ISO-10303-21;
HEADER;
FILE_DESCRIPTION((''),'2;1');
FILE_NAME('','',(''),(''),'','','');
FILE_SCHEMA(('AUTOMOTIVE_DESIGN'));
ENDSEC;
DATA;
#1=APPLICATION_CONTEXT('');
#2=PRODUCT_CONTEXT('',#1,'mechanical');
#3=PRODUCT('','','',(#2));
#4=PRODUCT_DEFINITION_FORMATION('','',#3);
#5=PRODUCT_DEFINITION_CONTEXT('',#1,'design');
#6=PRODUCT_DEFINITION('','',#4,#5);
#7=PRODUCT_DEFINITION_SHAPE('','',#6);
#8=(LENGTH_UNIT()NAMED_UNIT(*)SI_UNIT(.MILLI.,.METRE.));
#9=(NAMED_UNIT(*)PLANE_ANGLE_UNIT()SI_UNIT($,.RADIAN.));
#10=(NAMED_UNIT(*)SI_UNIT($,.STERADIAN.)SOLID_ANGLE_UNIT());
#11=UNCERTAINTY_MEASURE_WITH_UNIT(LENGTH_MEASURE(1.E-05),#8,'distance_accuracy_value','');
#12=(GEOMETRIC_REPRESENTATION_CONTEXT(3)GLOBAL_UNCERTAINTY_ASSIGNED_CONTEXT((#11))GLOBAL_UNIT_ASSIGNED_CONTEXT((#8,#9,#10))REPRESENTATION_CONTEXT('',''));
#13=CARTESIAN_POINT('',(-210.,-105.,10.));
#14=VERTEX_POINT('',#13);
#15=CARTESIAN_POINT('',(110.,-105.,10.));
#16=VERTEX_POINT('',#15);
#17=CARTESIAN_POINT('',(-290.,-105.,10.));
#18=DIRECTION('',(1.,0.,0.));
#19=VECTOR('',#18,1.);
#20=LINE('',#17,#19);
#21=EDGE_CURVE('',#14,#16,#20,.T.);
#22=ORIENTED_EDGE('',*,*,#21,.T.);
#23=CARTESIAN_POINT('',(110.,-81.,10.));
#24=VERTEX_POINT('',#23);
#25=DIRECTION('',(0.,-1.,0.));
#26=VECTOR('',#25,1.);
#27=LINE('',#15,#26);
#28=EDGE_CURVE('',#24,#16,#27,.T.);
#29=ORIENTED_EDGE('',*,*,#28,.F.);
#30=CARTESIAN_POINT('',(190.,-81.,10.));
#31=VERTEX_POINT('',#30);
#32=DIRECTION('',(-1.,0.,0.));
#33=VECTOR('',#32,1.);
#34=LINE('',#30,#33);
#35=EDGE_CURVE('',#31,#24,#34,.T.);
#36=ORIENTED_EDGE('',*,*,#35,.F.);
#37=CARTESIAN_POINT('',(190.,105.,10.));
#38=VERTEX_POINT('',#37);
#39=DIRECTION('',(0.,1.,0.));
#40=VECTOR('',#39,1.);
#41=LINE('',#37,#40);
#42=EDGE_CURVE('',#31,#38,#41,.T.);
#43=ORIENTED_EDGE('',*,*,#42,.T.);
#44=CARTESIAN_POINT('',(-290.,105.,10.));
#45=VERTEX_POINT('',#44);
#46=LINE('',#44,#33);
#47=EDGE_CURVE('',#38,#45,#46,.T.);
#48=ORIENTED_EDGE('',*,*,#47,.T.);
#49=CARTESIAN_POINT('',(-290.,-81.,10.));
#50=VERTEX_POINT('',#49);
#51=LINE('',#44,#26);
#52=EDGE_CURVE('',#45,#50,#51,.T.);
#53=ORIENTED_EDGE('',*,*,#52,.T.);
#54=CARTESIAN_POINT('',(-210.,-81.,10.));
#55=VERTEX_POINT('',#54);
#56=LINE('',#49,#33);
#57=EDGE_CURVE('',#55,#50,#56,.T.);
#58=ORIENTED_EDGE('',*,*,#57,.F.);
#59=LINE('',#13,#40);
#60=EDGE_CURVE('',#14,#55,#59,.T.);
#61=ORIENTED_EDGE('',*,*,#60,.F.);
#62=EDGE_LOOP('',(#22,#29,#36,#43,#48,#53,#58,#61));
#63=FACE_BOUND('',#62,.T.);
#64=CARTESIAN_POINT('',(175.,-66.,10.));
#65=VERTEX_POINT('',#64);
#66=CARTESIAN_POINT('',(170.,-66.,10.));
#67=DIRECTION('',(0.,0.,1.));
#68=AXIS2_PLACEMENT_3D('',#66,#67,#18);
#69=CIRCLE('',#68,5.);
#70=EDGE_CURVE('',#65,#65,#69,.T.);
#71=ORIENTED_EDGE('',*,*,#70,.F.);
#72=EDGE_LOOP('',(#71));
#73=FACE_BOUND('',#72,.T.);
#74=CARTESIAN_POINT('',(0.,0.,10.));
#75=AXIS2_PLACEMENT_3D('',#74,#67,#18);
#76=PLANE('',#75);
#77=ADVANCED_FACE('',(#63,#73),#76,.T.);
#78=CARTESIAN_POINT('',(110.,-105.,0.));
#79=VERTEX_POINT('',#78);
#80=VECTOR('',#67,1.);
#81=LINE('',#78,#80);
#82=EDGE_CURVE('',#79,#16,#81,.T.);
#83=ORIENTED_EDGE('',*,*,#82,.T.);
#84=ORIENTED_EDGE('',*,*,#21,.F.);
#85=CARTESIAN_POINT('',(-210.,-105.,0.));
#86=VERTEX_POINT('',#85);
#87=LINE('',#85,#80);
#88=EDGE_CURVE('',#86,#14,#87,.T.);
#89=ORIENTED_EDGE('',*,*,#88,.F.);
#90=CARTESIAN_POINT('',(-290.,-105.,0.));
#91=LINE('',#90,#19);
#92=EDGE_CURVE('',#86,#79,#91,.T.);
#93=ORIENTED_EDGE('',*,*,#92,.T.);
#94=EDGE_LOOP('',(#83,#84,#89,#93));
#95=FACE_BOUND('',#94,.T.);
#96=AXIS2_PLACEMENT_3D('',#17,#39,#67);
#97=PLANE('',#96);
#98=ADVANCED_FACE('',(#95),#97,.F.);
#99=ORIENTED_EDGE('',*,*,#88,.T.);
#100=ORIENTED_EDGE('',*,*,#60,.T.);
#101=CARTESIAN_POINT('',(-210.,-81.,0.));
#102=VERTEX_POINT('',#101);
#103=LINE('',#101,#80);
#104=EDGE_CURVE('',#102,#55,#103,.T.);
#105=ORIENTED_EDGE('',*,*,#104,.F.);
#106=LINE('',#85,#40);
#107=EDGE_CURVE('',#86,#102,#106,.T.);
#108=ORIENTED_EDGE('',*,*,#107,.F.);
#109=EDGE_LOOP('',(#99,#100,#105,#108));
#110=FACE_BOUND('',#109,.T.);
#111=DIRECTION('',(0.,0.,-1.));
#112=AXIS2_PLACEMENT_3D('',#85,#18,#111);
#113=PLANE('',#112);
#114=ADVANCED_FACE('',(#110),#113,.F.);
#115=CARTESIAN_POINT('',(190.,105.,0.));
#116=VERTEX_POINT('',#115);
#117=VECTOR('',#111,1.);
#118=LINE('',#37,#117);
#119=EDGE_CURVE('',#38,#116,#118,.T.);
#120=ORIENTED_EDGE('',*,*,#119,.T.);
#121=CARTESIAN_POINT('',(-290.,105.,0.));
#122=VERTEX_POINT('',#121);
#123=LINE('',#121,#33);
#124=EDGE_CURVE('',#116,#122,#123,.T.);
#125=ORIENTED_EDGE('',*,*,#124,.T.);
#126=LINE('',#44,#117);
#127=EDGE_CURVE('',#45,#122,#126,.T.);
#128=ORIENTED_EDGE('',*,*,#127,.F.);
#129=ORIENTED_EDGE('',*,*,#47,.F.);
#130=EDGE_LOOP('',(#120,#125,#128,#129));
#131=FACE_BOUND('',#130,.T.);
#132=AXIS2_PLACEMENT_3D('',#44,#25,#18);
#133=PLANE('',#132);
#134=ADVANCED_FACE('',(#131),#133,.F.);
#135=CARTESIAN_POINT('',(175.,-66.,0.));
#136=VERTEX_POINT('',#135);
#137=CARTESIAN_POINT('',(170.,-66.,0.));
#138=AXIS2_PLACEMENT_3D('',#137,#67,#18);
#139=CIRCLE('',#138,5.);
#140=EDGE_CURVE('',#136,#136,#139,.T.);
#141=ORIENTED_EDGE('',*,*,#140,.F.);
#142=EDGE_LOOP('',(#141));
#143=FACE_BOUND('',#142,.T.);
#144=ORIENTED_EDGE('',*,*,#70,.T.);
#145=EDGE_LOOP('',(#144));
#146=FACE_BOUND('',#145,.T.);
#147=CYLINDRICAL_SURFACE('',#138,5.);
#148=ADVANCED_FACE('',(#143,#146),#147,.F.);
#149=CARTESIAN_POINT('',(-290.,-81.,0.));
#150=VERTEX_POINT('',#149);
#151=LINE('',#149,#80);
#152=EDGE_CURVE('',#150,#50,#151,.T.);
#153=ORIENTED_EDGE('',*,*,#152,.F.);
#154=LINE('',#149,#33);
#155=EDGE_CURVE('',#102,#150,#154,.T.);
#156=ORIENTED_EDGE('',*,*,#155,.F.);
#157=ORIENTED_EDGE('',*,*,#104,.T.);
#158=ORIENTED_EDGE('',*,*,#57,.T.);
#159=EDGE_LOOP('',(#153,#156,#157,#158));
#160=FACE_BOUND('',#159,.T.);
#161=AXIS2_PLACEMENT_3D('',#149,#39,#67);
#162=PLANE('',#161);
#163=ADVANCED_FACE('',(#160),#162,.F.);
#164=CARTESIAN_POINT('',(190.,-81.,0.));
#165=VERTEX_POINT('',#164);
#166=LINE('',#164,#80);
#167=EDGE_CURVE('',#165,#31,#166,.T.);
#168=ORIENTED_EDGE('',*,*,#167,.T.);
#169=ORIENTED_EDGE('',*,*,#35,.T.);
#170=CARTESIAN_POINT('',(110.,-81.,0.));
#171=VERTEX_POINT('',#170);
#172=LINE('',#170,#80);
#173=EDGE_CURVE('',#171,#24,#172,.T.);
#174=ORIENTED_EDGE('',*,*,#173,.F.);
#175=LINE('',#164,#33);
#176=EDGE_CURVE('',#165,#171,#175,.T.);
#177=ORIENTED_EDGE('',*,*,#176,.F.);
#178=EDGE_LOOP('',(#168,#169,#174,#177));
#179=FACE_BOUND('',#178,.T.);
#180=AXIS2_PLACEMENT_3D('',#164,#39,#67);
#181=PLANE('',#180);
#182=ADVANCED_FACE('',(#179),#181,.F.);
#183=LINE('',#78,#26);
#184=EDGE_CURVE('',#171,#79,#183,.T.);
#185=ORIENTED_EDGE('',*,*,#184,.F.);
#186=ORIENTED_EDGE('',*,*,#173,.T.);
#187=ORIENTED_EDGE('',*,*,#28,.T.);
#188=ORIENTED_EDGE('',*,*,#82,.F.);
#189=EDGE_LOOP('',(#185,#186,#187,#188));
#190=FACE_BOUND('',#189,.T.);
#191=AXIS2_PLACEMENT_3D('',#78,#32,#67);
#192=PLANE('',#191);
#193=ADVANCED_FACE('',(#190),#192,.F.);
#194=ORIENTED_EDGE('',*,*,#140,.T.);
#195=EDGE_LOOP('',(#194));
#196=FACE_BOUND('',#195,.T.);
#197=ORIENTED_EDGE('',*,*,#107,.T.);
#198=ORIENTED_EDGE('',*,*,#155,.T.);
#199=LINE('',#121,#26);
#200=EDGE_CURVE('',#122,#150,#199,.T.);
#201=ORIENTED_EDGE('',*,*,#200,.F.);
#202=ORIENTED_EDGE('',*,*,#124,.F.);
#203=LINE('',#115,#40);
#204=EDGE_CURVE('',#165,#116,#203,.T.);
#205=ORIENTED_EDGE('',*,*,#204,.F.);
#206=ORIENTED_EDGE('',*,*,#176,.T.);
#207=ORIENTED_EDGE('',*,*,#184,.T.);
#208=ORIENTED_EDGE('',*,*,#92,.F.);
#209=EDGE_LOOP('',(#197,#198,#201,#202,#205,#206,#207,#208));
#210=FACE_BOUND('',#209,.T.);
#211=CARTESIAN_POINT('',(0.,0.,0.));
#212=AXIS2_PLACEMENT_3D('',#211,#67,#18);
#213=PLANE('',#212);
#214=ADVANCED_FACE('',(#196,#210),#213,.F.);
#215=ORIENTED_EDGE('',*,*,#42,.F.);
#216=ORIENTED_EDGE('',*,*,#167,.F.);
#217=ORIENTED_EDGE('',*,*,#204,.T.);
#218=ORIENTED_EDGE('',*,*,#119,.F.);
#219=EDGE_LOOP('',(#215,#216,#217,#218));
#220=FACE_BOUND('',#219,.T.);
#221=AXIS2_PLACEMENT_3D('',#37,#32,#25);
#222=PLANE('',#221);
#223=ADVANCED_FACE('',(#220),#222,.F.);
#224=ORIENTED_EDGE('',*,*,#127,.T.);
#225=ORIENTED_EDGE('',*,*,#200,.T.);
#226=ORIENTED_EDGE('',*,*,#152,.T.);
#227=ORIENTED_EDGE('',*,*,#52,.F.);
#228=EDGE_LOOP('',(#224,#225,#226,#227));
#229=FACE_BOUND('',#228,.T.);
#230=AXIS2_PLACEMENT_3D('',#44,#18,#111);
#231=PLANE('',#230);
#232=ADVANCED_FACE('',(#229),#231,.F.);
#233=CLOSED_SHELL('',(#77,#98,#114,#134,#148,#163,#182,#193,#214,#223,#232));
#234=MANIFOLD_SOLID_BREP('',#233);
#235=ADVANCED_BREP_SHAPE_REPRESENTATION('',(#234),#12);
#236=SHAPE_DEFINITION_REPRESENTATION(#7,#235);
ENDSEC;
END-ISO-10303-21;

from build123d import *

# Parameters (mm, degrees)
ESQUISSE1_W             = 480
ESQUISSE1_H             = 210
BOSS_EXTRU_1_DEPTH      = 10
ESQUISSE2_W             = 80
ESQUISSE2_H             = 24
ENL_V_MAT_EXTRU_1_DEPTH = 11
ESQUISSE3_R             = 5
ENL_V_MAT_EXTRU_2_DEPTH = 11


with BuildPart() as part:
    # Esquisse1 → Boss.-Extru.1 (new body)
    with BuildSketch(Plane.XY):
        with Locations((-50, 0)):
            Rectangle(ESQUISSE1_W, ESQUISSE1_H)
    extrude(amount=BOSS_EXTRU_1_DEPTH)

    # Esquisse2 → Enlèv. mat.-Extru.1 (cut, through all)
    with BuildSketch(Plane.XY.offset(10)):
        with Locations((150, -93)):
            Rectangle(ESQUISSE2_W, ESQUISSE2_H)
        with Locations((-250, -93)):
            Rectangle(ESQUISSE2_W, ESQUISSE2_H)
    extrude(amount=-ENL_V_MAT_EXTRU_1_DEPTH, mode=Mode.SUBTRACT)

    # Esquisse3 → Enlèv. mat.-Extru.2 (cut, through all)
    with BuildSketch(Plane.XY.offset(10)):
        with Locations((170, -66)):
            Circle(ESQUISSE3_R)
    extrude(amount=-ENL_V_MAT_EXTRU_2_DEPTH, mode=Mode.SUBTRACT)


solid = part.part
